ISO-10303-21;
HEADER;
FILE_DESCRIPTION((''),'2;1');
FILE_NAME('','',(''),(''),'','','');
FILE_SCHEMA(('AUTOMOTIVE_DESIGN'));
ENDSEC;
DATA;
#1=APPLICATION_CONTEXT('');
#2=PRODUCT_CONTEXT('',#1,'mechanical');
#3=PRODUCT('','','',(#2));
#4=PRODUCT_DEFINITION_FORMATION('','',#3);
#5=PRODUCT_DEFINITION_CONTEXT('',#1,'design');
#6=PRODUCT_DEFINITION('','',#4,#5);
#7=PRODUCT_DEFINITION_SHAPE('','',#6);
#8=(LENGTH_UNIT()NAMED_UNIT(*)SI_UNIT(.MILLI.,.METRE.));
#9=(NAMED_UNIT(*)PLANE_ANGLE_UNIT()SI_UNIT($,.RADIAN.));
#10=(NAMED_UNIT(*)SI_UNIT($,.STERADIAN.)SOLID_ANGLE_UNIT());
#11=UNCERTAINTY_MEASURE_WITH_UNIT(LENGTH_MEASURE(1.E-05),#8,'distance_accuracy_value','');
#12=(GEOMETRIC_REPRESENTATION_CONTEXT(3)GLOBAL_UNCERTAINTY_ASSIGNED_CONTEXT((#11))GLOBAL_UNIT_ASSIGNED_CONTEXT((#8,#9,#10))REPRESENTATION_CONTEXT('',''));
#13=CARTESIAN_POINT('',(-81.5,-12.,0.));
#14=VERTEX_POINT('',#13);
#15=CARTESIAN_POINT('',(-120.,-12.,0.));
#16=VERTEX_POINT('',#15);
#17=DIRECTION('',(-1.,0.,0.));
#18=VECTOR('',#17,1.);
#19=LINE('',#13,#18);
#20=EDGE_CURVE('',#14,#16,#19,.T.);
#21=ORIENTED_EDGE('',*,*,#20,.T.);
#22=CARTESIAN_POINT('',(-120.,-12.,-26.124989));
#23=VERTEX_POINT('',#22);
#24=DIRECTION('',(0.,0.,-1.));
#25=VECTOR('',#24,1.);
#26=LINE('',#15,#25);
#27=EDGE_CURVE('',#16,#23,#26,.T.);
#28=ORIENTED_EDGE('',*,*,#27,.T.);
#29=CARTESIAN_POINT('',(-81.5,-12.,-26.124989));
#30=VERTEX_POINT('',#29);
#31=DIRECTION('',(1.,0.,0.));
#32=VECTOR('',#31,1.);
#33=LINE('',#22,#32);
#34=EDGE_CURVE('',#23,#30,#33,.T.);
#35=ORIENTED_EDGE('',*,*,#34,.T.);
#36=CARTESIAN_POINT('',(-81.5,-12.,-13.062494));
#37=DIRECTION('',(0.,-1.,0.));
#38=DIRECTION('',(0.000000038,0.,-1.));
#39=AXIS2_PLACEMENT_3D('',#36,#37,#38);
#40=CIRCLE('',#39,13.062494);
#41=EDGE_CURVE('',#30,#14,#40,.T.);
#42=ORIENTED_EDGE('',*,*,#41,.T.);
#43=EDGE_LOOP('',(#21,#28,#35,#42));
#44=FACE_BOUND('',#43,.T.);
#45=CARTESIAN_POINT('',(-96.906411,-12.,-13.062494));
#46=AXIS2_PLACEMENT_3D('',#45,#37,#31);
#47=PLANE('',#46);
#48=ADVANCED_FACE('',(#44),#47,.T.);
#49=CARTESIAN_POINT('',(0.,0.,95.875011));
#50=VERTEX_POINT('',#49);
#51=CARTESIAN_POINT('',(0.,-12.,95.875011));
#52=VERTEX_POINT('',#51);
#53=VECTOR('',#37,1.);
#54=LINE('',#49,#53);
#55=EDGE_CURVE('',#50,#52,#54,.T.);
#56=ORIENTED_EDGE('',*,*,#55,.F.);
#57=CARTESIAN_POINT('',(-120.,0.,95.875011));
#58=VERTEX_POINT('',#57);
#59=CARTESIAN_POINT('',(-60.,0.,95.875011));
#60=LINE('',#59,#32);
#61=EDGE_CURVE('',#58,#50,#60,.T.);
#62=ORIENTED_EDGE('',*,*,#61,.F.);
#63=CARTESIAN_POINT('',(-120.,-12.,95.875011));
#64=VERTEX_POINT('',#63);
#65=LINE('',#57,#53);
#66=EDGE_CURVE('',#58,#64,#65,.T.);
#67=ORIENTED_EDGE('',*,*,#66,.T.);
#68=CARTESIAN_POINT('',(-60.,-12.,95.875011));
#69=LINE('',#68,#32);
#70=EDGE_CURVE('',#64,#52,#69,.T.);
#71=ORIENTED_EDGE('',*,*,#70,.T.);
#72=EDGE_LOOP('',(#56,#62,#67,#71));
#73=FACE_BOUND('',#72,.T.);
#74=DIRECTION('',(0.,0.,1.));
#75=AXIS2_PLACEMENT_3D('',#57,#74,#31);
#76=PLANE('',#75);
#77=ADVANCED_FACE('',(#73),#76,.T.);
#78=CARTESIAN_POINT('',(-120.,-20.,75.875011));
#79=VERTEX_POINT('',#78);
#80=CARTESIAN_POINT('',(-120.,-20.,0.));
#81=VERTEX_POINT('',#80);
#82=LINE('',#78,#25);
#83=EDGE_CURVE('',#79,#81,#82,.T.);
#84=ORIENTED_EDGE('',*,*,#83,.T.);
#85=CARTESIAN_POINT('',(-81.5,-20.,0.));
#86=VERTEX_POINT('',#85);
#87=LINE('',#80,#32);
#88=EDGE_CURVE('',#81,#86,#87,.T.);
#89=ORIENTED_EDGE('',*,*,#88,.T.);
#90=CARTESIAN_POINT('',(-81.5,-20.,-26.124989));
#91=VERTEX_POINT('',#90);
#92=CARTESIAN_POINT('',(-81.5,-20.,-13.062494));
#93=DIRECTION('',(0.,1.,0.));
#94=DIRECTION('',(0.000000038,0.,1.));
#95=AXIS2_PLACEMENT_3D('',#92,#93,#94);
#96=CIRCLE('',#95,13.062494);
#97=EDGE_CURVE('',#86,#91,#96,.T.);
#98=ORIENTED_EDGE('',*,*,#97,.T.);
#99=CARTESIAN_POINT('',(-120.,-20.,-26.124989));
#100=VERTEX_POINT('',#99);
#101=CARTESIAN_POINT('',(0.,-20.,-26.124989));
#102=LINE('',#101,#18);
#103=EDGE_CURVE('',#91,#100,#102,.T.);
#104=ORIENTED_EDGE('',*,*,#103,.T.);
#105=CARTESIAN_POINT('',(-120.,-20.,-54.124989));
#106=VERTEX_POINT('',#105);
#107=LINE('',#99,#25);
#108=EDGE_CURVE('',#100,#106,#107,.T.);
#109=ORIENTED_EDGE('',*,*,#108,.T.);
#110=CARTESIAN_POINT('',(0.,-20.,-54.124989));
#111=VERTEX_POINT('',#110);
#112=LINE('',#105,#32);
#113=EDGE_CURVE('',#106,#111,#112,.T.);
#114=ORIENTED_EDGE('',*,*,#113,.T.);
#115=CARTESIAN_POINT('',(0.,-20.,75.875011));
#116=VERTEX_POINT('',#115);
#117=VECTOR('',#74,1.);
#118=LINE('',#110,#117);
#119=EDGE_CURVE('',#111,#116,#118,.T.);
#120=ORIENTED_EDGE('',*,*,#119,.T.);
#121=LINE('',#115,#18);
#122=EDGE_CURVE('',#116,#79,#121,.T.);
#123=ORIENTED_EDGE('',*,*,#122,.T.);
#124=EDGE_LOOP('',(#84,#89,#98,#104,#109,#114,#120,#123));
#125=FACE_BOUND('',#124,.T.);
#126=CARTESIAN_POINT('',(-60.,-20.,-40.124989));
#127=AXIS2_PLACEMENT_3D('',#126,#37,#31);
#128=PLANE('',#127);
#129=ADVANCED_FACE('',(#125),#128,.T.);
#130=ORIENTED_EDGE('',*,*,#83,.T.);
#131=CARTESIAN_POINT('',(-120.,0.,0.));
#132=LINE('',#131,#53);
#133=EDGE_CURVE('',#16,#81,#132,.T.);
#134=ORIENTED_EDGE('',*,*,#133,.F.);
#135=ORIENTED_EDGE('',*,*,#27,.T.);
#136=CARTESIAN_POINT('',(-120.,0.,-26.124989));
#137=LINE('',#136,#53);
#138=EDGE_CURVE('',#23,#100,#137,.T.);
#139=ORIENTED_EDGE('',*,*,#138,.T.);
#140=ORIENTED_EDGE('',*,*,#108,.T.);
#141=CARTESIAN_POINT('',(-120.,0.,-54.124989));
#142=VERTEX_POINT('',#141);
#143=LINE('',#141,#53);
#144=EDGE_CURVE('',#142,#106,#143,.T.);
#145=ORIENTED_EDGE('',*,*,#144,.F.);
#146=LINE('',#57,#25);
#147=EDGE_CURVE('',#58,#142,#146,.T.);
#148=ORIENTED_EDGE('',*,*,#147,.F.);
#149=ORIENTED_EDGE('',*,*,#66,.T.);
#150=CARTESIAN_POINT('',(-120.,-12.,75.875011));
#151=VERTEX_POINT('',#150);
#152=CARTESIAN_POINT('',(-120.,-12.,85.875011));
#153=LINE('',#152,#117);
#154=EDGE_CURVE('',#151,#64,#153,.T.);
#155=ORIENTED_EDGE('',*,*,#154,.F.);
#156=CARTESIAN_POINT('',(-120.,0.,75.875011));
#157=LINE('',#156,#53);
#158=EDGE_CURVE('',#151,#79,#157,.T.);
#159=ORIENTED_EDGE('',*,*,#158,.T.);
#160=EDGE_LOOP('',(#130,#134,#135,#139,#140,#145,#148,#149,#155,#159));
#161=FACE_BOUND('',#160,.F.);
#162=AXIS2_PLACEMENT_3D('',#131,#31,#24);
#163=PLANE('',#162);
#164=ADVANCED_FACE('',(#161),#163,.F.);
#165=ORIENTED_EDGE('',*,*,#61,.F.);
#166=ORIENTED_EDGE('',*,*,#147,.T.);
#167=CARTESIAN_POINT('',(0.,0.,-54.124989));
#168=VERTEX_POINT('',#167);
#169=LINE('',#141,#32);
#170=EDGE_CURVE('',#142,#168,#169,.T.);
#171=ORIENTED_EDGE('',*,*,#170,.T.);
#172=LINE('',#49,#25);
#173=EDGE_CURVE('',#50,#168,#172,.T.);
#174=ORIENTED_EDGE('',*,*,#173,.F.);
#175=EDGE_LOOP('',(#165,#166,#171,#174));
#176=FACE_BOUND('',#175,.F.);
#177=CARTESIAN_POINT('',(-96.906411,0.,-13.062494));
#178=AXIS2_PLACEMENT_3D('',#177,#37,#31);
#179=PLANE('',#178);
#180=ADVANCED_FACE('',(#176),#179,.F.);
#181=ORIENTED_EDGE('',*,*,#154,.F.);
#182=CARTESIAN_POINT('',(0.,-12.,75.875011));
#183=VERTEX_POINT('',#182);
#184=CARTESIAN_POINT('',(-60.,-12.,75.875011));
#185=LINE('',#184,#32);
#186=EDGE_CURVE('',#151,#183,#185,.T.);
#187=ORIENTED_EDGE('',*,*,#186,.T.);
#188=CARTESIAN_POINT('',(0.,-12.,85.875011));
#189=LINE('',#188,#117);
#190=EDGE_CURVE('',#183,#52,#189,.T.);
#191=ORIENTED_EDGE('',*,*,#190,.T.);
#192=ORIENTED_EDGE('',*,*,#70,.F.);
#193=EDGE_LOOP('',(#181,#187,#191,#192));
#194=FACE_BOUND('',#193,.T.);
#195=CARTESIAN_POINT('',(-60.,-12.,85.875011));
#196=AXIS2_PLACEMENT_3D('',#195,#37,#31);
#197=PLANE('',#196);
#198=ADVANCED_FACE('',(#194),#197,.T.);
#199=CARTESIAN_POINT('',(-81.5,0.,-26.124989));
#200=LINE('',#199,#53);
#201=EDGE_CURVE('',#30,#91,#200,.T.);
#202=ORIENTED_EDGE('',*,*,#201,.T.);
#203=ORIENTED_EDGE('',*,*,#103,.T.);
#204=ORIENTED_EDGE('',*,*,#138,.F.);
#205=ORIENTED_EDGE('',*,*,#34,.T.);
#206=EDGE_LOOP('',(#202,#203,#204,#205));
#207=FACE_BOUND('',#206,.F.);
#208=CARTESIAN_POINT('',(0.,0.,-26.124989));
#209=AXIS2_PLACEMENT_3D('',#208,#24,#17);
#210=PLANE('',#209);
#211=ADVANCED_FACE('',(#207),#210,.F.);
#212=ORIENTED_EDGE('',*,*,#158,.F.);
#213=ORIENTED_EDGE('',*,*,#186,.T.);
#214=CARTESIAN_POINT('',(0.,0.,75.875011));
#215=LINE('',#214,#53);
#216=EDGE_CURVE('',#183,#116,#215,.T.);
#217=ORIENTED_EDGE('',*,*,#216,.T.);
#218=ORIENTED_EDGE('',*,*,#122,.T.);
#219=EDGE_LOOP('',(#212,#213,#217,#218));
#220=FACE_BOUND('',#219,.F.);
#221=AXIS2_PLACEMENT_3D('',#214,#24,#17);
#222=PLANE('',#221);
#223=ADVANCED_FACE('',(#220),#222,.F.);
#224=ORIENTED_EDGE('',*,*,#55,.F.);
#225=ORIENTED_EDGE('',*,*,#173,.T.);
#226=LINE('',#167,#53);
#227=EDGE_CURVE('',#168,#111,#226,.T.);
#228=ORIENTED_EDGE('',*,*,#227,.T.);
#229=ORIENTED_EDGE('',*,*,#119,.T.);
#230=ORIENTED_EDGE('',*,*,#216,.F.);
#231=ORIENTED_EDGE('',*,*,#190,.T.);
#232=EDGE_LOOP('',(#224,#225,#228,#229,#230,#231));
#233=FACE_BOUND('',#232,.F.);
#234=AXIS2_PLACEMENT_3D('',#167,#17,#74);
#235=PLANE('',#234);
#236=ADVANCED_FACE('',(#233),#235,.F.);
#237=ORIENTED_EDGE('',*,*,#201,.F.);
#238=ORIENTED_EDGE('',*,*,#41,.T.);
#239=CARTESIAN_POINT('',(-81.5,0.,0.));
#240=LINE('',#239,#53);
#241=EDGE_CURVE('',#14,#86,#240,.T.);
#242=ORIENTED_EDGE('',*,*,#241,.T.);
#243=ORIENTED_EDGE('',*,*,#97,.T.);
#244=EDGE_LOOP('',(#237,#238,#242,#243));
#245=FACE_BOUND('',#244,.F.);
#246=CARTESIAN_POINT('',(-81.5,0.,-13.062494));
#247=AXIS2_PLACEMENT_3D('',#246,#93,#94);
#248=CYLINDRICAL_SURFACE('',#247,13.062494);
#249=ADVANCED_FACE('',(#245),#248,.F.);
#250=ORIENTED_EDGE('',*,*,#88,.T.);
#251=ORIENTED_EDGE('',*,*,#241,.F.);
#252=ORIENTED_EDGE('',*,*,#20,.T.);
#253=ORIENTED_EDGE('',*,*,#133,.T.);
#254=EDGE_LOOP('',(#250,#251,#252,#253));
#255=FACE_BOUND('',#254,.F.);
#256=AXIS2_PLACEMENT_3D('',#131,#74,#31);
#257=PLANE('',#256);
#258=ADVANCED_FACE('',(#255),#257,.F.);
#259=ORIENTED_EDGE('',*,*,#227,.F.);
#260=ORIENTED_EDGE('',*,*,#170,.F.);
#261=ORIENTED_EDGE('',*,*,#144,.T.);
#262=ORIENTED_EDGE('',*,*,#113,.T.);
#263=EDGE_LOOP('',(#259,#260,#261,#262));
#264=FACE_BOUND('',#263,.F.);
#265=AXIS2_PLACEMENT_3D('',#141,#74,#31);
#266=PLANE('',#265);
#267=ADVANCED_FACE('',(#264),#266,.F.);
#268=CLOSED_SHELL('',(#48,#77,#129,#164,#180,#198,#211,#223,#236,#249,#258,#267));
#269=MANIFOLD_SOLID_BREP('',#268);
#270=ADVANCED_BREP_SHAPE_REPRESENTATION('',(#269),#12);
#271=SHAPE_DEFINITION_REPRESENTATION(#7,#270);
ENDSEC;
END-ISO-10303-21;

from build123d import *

# Parameters (mm, degrees)
F0_W     = 120
F0_H     = 20
F1_DEPTH = 12
F2_DEPTH = 20
F3_DEPTH = 20
F4_DEPTH = 20
F5_DEPTH = 12


with BuildPart() as f1:
    # F0 (on Front) → F1 (new body)
    with BuildSketch(Plane.XZ):
        with Locations((-60, 85.875011)):
            Rectangle(F0_W, F0_H)
    extrude(amount=F1_DEPTH)

    # F0 (on Front) → F2 (join)
    with BuildSketch(Plane.XZ):
        Polygon((0, 75.875011), (-120, 75.875011), (-120, 0), (-81.5, 0), (0, 0), align=None)
    extrude(amount=F2_DEPTH)

    # F0 (on Front) → F3 (join)
    with BuildSketch(Plane.XZ):
        with BuildLine():
            Line((0, 0), (-81.5, 0))
            ThreePointArc((-81.5, 0), (-68.437506, -13.062494), (-81.5, -26.124989))
            Line((-81.5, -26.124989), (0, -26.124989))
            Line((0, -26.124989), (0, -1.124989))
            Line((0, -1.124989), (0, 0))
        make_face()
    extrude(amount=F3_DEPTH)

    # F0 (on Front) → F4 (join)
    with BuildSketch(Plane.XZ):
        Polygon((-81.5, -26.124989), (-120, -26.124989), (-120, -54.124989), (0, -54.124989), (0, -26.124989), align=None)
    extrude(amount=F4_DEPTH)

    # F0 (on Front) → F5 (join)
    with BuildSketch(Plane.XZ):
        with BuildLine():
            Line((-81.5, 0), (-120, 0))
            Line((-120, 0), (-120, -26.124989))
            Line((-120, -26.124989), (-81.5, -26.124989))
            ThreePointArc((-81.5, -26.124989), (-68.437506, -13.062494), (-81.5, 0))
        make_face()
    extrude(amount=F5_DEPTH)


solid = f1.part
